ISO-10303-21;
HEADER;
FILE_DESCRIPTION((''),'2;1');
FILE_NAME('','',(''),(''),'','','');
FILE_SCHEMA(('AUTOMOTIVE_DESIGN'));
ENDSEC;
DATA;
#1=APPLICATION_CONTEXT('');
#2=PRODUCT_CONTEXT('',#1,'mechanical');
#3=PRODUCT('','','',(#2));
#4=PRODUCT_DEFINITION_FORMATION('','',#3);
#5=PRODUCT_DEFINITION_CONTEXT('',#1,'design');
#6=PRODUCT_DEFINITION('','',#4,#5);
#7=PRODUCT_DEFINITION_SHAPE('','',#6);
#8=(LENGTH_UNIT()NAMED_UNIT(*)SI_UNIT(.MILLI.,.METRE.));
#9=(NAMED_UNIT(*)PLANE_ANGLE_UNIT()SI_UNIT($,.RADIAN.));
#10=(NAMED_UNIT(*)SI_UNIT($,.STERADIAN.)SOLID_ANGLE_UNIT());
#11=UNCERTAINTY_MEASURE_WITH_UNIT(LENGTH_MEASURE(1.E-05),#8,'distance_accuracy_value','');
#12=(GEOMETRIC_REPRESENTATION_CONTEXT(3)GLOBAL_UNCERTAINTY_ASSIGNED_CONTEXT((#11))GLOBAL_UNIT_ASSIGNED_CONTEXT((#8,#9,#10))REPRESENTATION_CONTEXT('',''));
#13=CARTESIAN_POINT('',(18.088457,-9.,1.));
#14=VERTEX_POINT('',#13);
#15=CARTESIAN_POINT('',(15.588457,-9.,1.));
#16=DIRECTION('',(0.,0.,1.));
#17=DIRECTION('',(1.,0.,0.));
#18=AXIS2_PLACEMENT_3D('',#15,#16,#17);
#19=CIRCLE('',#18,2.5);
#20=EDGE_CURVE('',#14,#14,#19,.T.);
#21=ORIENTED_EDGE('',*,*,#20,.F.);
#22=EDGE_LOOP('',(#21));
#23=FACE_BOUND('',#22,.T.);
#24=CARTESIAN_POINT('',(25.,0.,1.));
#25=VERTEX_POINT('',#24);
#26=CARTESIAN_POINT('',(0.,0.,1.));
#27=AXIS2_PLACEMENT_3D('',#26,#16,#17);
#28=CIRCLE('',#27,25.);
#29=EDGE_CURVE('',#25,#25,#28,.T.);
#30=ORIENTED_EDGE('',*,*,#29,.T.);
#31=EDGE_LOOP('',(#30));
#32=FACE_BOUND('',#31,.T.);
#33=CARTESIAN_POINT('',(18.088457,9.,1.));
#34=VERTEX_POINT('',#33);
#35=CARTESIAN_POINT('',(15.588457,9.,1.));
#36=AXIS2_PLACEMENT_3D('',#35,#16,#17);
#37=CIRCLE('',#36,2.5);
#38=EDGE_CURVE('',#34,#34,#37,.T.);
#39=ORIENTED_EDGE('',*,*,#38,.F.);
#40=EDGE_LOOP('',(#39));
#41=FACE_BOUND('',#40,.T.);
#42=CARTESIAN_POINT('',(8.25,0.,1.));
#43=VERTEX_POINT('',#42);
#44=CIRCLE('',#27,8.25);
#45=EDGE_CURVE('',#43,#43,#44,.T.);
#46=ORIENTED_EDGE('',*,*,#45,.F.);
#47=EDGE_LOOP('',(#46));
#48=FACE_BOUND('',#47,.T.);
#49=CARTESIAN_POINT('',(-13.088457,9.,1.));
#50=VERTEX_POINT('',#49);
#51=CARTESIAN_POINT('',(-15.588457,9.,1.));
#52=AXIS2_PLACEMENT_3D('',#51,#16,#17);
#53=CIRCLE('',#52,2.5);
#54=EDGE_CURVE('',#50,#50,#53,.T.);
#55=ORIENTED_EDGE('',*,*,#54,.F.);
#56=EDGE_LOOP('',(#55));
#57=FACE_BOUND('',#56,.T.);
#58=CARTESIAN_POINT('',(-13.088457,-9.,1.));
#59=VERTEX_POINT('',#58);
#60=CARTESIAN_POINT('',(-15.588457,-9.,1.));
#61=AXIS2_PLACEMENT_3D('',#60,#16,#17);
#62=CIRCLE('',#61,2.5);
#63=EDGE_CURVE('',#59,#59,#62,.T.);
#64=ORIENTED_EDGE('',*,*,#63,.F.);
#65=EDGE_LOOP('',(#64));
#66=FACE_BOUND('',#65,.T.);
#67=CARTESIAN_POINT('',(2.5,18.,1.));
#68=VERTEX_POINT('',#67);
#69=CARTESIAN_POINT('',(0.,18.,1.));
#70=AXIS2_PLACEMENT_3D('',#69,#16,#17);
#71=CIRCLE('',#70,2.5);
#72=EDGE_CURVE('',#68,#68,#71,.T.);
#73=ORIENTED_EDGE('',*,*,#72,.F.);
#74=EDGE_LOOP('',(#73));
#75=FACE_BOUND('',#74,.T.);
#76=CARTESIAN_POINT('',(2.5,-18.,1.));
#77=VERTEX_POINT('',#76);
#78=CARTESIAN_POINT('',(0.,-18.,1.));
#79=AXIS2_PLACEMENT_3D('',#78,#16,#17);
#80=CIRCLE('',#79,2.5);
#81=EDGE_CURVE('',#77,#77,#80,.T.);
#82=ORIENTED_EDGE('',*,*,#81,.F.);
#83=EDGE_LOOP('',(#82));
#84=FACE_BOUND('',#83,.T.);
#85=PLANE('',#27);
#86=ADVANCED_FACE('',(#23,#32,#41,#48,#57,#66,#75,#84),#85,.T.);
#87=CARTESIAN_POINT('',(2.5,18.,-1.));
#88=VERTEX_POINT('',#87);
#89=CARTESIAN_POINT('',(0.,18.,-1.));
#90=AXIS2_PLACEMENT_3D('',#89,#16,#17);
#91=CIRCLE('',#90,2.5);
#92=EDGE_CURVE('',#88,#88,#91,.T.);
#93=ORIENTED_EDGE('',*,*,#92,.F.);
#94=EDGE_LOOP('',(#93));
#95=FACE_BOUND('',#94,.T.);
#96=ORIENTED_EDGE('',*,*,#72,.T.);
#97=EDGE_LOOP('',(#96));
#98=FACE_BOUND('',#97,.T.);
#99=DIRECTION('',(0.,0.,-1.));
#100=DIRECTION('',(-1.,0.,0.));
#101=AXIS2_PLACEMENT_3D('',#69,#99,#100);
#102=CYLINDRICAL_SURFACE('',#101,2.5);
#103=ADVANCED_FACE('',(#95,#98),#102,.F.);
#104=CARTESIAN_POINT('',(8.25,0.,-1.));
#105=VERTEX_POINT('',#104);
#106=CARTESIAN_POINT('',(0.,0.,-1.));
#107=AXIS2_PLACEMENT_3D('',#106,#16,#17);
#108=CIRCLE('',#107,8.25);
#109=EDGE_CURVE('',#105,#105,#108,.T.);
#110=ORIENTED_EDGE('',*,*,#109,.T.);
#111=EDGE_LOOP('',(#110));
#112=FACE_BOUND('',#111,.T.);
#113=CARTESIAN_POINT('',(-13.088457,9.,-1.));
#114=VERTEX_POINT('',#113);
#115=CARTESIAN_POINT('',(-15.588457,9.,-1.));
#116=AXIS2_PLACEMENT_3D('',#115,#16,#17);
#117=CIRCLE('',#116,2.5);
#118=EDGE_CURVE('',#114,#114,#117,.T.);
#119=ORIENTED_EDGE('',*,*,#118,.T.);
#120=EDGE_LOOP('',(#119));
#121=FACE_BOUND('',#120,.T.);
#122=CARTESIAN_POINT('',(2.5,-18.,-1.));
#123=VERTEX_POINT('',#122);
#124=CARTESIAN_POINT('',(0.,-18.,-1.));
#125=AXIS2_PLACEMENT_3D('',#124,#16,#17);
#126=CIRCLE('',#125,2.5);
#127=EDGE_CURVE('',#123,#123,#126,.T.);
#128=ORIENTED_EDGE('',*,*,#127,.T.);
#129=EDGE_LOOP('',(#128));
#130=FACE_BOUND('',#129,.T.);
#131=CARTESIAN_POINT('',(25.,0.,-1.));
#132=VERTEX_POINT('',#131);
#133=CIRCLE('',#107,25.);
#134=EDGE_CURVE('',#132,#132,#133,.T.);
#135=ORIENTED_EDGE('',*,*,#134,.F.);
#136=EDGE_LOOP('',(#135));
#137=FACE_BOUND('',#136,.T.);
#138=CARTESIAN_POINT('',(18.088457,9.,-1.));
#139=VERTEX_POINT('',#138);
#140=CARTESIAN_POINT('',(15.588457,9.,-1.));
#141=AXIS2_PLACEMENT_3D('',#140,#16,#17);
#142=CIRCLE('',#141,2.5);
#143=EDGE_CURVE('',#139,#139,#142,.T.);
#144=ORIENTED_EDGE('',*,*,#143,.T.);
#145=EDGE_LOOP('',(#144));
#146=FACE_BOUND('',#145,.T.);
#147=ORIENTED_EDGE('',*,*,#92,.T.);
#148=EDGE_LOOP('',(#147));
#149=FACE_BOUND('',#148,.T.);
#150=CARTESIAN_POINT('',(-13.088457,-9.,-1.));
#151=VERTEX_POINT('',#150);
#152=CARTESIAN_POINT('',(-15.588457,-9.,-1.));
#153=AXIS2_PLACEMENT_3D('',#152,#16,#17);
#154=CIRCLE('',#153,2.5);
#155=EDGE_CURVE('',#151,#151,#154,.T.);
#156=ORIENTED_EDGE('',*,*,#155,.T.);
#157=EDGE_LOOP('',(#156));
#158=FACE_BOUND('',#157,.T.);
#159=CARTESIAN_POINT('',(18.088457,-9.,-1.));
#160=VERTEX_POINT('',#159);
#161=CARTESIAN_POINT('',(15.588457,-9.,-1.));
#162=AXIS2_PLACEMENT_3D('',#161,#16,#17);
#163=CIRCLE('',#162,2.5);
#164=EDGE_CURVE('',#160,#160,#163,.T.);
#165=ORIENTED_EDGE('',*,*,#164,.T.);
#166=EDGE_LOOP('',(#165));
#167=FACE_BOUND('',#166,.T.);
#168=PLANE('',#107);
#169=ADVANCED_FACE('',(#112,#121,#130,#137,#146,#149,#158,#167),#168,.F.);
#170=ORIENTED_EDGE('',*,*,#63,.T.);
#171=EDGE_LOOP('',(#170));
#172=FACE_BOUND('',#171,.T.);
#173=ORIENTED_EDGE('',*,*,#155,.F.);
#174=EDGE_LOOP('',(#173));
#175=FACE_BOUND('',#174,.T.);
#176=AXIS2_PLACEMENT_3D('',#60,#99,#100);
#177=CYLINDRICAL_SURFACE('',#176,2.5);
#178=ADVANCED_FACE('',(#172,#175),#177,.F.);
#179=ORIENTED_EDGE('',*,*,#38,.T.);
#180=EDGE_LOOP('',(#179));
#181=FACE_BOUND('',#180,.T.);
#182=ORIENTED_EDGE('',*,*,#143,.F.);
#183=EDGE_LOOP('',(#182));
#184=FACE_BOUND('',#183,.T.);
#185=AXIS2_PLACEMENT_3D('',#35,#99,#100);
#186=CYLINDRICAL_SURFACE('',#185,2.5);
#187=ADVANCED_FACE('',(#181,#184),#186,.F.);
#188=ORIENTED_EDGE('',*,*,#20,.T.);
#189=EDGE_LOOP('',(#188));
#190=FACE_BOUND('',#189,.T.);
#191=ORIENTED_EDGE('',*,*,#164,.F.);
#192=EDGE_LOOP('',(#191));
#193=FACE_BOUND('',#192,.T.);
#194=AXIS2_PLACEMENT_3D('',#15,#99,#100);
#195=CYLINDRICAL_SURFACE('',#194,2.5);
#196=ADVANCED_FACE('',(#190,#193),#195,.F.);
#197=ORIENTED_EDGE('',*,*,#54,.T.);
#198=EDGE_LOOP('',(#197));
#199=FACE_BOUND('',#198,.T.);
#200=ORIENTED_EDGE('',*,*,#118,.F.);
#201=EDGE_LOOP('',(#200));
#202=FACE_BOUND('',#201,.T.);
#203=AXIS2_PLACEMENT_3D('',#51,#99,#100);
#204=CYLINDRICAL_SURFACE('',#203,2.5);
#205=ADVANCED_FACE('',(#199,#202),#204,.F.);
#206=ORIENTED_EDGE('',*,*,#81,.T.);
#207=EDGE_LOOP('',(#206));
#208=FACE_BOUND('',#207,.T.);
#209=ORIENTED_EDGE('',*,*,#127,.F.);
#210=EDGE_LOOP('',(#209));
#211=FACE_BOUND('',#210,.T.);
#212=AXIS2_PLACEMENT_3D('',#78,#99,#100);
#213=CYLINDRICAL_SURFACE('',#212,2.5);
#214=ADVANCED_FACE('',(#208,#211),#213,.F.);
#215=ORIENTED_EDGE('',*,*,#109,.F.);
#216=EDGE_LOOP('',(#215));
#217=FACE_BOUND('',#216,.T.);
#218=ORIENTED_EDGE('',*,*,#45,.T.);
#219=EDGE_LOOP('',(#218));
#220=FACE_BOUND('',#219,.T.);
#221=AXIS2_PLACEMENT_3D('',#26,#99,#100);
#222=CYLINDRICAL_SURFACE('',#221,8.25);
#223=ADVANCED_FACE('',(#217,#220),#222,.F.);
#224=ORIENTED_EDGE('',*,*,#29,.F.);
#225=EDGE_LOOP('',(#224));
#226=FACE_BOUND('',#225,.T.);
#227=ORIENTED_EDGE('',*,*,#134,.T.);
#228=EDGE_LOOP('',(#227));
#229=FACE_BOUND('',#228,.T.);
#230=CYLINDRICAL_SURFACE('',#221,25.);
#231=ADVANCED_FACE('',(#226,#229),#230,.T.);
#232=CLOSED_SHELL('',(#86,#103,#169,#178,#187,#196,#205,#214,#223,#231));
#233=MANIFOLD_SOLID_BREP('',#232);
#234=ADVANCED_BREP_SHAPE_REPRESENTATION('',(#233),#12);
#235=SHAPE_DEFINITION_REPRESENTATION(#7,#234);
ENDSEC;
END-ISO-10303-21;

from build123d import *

# Parameters (mm, degrees)
SKETCH1_R           = 25
SKETCH1_R_2         = 8.25
SKETCH1_R_3         = 2.5
BOSS_EXTRUDE1_DEPTH = 1


with BuildPart() as part:
    # Sketch1 (on Front Plane) → Boss-Extrude1 (new, symmetric)
    with BuildSketch(Plane.XY):
        Circle(SKETCH1_R)
        Circle(SKETCH1_R_2, mode=Mode.SUBTRACT)
        with Locations((0, 18)):
            Circle(SKETCH1_R_3, mode=Mode.SUBTRACT)
        with Locations((15.588457268, 9)):
            Circle(SKETCH1_R_3, mode=Mode.SUBTRACT)
        with Locations((15.588457268, -9)):
            Circle(SKETCH1_R_3, mode=Mode.SUBTRACT)
        with Locations((0, -18)):
            Circle(SKETCH1_R_3, mode=Mode.SUBTRACT)
        with Locations((-15.588457268, -9)):
            Circle(SKETCH1_R_3, mode=Mode.SUBTRACT)
        with Locations((-15.588457268, 9)):
            Circle(SKETCH1_R_3, mode=Mode.SUBTRACT)
    extrude(amount=BOSS_EXTRUDE1_DEPTH, both=True)


solid = part.part
